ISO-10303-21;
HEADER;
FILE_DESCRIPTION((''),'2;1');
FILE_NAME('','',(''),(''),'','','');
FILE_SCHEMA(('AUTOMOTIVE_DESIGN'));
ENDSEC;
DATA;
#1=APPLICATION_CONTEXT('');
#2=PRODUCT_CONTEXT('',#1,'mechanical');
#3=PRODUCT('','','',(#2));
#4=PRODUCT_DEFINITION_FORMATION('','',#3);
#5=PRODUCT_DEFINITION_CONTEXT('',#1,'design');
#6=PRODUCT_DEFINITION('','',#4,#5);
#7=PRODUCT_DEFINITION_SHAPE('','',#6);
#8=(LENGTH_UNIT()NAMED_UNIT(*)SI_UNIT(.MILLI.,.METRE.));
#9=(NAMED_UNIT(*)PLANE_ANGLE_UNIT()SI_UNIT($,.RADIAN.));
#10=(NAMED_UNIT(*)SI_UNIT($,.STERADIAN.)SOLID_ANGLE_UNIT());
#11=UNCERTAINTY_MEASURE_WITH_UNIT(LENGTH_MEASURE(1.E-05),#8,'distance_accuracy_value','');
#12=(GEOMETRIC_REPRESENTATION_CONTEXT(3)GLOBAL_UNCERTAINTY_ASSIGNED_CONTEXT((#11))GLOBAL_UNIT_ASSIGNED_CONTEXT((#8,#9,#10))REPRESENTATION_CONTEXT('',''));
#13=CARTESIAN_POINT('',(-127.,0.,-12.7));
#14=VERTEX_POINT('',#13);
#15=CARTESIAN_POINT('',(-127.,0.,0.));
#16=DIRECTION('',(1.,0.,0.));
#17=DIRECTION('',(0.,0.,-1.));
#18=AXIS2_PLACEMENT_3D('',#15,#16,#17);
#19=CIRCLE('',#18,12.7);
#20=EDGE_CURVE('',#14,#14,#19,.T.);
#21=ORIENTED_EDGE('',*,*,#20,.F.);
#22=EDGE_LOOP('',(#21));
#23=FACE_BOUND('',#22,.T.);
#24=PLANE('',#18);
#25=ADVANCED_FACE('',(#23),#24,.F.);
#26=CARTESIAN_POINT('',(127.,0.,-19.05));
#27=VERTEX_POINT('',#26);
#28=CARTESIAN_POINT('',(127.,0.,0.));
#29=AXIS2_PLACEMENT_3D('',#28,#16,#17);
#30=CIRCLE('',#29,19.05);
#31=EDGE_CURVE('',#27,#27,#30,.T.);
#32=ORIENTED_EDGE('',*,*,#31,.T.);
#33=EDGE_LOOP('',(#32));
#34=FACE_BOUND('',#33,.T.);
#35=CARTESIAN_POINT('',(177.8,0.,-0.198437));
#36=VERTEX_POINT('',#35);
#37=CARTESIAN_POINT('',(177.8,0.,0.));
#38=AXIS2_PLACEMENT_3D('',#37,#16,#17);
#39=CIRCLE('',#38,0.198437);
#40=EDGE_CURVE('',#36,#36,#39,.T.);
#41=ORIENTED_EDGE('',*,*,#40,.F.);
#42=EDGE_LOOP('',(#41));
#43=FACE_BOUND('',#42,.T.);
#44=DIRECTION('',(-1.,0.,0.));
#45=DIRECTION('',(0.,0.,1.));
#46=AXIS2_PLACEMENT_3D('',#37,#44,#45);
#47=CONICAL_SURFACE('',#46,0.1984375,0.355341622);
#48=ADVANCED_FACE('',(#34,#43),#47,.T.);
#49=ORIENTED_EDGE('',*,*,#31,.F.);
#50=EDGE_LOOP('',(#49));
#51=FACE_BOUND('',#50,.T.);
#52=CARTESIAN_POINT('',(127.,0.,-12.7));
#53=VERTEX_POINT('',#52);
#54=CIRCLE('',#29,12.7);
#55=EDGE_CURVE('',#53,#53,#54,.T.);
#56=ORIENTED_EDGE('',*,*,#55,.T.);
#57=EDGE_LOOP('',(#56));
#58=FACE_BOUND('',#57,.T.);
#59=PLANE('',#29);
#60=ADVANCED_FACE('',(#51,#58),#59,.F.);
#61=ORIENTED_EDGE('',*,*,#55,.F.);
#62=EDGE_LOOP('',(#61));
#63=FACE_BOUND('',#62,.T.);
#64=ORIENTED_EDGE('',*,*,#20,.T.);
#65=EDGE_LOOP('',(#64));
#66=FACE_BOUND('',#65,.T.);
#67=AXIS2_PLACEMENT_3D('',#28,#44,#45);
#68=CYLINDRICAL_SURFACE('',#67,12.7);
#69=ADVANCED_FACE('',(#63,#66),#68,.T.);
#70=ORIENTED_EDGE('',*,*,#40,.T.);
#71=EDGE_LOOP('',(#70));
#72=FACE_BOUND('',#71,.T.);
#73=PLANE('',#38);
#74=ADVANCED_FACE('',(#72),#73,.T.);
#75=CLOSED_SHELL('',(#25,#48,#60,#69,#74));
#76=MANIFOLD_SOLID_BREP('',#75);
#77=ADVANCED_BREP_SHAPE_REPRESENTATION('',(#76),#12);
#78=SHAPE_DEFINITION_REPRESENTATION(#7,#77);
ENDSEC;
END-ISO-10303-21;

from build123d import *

# Parameters (mm, degrees)
SKETCH1_R           = 12.7
BOSS_EXTRUDE1_DEPTH = 127
SKETCH2_R           = 19.05
SKETCH3_R           = 0.1984375


with BuildPart() as part:
    # Sketch1 → Boss-Extrude1 (new body, symmetric)
    with BuildSketch(Plane(origin=(0, 0, 0), x_dir=(0, 0, -1), z_dir=(1, 0, 0))):
        Circle(SKETCH1_R)
    extrude(amount=BOSS_EXTRUDE1_DEPTH, both=True)

    # Sketch2 → Loft1 section 0
    with BuildSketch(Plane(origin=(127, 0, 0), x_dir=(0, 0, -1), z_dir=(1, 0, 0))):
        Circle(SKETCH2_R)
    # Sketch3 → Loft1 section 1
    with BuildSketch(Plane(origin=(177.8, 0, 0), x_dir=(0, 0, -1), z_dir=(1, 0, 0))):
        Circle(SKETCH3_R)
    loft()


solid = part.part
